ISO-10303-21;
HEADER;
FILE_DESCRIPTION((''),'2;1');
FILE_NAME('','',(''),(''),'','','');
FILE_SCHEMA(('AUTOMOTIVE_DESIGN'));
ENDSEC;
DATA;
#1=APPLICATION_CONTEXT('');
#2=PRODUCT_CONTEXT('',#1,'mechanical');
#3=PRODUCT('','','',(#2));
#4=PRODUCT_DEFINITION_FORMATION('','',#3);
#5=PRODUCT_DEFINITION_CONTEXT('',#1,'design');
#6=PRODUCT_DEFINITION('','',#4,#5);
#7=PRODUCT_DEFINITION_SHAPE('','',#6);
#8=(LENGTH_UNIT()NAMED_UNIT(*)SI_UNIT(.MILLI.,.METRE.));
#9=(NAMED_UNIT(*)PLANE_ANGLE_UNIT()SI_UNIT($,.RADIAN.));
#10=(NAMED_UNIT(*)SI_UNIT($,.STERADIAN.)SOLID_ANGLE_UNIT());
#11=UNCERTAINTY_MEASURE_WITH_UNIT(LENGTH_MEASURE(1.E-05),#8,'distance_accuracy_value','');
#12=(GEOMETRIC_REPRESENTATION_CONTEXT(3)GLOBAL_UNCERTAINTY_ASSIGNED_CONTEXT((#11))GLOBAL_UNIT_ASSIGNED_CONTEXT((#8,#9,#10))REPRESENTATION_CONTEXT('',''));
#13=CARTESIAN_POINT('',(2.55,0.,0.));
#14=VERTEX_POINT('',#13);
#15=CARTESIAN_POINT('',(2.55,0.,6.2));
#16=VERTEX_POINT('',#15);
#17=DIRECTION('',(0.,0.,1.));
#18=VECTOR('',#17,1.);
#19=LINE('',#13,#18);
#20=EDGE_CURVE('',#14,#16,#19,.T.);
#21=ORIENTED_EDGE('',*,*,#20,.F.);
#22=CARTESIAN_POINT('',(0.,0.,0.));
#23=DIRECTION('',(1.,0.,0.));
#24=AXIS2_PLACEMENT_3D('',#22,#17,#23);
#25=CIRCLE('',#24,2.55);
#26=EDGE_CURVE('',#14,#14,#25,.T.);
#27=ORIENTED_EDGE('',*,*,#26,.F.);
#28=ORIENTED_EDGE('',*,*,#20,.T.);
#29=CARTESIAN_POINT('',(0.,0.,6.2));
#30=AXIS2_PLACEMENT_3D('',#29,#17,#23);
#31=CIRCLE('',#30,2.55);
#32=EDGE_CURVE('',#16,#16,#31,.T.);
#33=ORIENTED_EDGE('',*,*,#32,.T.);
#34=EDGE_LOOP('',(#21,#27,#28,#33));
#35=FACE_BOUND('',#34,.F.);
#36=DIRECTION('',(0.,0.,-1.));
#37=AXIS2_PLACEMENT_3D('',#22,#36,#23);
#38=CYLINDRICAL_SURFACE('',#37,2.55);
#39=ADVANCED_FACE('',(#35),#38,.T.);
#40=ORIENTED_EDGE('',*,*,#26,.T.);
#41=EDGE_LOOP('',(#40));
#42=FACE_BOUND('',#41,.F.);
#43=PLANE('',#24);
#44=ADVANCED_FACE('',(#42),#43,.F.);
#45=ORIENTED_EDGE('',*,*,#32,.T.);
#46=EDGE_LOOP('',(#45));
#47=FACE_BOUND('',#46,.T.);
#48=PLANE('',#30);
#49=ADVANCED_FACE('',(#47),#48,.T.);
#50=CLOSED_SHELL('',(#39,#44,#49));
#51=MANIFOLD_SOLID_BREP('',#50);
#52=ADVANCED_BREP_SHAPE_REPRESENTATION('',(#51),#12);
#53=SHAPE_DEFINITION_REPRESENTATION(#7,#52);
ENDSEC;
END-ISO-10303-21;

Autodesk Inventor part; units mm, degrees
ref_plane "YZ Plane" through (0, 0, 0) normal (1, 0, 0) x (0, 1, 0)
ref_plane "XZ Plane" through (0, 0, 0) normal (0, 1, 0) x (-1, 0, 0)
ref_plane "XY Plane" through (0, 0, 0) normal (0, 0, 1) x (1, 0, 0)
sketch "Sketch1" plane through (0, 0, 0) normal (0, 0, 1) x (1, 0, 0)
  circle A0 centre (0, 0) radius 2.55
  dimension "d0" = 5.1
extrude "Extrusion1" add sketch "Sketch1" along normal blind 6.2
properties part number "slider_knob_long"
